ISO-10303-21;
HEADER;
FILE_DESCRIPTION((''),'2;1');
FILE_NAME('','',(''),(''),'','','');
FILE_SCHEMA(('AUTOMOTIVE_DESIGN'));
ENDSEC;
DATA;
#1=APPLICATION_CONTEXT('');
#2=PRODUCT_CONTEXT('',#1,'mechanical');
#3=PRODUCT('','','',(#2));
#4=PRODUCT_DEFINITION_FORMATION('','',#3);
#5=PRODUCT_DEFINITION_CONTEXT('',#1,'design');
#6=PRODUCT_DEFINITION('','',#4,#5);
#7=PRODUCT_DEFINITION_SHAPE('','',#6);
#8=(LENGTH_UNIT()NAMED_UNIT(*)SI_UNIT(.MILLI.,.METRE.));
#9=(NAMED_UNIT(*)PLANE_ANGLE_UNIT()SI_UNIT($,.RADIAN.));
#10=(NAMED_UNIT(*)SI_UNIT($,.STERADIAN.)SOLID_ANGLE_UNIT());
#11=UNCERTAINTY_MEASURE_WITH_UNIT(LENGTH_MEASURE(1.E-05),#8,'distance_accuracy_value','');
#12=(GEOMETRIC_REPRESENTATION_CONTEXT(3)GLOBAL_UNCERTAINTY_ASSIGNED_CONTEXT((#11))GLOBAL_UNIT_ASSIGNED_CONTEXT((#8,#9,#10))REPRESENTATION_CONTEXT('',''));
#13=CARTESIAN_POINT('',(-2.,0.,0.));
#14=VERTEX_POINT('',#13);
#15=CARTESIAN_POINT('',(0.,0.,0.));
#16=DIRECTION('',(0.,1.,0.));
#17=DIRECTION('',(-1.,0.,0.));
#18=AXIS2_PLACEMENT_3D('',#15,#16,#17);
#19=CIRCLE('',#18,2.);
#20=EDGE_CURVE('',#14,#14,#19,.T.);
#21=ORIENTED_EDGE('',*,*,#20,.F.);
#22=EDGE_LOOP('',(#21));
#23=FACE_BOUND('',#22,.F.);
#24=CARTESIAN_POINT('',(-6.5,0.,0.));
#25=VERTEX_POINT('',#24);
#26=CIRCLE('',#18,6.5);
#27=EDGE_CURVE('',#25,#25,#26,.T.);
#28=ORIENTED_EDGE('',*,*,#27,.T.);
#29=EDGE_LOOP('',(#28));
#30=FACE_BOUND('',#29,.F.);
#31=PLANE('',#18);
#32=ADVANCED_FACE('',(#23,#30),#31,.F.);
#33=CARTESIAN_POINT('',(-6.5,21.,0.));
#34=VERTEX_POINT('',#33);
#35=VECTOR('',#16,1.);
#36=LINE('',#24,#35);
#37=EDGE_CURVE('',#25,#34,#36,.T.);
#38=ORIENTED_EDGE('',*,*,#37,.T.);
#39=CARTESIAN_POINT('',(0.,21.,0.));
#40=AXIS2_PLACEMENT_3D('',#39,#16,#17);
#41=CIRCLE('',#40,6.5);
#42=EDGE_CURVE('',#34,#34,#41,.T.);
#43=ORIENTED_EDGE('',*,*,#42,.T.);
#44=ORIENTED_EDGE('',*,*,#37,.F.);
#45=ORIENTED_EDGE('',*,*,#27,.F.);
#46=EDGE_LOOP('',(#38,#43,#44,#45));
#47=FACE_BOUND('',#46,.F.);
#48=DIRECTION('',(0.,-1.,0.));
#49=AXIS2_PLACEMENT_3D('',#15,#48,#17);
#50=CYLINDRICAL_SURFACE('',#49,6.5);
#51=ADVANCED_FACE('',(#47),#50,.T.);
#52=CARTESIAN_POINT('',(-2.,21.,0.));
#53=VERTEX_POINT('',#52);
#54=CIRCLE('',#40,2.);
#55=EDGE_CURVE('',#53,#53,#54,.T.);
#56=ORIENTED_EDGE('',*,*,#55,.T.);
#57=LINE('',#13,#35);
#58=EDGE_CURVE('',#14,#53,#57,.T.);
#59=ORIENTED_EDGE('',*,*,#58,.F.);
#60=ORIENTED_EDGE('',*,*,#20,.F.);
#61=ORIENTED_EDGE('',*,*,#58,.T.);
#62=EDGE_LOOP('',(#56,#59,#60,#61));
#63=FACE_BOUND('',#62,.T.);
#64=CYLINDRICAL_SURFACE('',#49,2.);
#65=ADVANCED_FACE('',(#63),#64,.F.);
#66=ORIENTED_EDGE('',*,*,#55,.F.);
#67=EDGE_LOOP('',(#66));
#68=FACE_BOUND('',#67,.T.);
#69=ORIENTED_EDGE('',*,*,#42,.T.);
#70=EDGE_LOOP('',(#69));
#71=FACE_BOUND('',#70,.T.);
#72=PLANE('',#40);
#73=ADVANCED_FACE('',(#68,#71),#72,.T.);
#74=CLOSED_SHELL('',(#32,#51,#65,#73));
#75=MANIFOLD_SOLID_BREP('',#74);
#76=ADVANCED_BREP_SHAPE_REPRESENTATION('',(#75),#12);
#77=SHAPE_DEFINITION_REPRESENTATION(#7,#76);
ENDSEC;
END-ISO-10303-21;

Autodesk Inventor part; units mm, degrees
ref_plane "YZ Plane" through (0, 0, 0) normal (1, 0, 0) x (0, 1, 0)
ref_plane "XZ Plane" through (0, 0, 0) normal (0, 1, 0) x (-1, 0, 0)
ref_plane "XY Plane" through (0, 0, 0) normal (0, 0, 1) x (1, 0, 0)
sketch "スケッチ1" plane through (0, 0, 0) normal (0, 1, 0) x (-1, 0, 0)
  circle A0 centre (0, 0) radius 6.5
  circle A1 centre (0, 0) radius 2
  dimension "d0" = 13
  dimension "d1" = 4
extrude "押し出し1" add sketch "スケッチ1" along normal blind 21
properties part number "coupling_encoder" material "ABS プラスチック"
